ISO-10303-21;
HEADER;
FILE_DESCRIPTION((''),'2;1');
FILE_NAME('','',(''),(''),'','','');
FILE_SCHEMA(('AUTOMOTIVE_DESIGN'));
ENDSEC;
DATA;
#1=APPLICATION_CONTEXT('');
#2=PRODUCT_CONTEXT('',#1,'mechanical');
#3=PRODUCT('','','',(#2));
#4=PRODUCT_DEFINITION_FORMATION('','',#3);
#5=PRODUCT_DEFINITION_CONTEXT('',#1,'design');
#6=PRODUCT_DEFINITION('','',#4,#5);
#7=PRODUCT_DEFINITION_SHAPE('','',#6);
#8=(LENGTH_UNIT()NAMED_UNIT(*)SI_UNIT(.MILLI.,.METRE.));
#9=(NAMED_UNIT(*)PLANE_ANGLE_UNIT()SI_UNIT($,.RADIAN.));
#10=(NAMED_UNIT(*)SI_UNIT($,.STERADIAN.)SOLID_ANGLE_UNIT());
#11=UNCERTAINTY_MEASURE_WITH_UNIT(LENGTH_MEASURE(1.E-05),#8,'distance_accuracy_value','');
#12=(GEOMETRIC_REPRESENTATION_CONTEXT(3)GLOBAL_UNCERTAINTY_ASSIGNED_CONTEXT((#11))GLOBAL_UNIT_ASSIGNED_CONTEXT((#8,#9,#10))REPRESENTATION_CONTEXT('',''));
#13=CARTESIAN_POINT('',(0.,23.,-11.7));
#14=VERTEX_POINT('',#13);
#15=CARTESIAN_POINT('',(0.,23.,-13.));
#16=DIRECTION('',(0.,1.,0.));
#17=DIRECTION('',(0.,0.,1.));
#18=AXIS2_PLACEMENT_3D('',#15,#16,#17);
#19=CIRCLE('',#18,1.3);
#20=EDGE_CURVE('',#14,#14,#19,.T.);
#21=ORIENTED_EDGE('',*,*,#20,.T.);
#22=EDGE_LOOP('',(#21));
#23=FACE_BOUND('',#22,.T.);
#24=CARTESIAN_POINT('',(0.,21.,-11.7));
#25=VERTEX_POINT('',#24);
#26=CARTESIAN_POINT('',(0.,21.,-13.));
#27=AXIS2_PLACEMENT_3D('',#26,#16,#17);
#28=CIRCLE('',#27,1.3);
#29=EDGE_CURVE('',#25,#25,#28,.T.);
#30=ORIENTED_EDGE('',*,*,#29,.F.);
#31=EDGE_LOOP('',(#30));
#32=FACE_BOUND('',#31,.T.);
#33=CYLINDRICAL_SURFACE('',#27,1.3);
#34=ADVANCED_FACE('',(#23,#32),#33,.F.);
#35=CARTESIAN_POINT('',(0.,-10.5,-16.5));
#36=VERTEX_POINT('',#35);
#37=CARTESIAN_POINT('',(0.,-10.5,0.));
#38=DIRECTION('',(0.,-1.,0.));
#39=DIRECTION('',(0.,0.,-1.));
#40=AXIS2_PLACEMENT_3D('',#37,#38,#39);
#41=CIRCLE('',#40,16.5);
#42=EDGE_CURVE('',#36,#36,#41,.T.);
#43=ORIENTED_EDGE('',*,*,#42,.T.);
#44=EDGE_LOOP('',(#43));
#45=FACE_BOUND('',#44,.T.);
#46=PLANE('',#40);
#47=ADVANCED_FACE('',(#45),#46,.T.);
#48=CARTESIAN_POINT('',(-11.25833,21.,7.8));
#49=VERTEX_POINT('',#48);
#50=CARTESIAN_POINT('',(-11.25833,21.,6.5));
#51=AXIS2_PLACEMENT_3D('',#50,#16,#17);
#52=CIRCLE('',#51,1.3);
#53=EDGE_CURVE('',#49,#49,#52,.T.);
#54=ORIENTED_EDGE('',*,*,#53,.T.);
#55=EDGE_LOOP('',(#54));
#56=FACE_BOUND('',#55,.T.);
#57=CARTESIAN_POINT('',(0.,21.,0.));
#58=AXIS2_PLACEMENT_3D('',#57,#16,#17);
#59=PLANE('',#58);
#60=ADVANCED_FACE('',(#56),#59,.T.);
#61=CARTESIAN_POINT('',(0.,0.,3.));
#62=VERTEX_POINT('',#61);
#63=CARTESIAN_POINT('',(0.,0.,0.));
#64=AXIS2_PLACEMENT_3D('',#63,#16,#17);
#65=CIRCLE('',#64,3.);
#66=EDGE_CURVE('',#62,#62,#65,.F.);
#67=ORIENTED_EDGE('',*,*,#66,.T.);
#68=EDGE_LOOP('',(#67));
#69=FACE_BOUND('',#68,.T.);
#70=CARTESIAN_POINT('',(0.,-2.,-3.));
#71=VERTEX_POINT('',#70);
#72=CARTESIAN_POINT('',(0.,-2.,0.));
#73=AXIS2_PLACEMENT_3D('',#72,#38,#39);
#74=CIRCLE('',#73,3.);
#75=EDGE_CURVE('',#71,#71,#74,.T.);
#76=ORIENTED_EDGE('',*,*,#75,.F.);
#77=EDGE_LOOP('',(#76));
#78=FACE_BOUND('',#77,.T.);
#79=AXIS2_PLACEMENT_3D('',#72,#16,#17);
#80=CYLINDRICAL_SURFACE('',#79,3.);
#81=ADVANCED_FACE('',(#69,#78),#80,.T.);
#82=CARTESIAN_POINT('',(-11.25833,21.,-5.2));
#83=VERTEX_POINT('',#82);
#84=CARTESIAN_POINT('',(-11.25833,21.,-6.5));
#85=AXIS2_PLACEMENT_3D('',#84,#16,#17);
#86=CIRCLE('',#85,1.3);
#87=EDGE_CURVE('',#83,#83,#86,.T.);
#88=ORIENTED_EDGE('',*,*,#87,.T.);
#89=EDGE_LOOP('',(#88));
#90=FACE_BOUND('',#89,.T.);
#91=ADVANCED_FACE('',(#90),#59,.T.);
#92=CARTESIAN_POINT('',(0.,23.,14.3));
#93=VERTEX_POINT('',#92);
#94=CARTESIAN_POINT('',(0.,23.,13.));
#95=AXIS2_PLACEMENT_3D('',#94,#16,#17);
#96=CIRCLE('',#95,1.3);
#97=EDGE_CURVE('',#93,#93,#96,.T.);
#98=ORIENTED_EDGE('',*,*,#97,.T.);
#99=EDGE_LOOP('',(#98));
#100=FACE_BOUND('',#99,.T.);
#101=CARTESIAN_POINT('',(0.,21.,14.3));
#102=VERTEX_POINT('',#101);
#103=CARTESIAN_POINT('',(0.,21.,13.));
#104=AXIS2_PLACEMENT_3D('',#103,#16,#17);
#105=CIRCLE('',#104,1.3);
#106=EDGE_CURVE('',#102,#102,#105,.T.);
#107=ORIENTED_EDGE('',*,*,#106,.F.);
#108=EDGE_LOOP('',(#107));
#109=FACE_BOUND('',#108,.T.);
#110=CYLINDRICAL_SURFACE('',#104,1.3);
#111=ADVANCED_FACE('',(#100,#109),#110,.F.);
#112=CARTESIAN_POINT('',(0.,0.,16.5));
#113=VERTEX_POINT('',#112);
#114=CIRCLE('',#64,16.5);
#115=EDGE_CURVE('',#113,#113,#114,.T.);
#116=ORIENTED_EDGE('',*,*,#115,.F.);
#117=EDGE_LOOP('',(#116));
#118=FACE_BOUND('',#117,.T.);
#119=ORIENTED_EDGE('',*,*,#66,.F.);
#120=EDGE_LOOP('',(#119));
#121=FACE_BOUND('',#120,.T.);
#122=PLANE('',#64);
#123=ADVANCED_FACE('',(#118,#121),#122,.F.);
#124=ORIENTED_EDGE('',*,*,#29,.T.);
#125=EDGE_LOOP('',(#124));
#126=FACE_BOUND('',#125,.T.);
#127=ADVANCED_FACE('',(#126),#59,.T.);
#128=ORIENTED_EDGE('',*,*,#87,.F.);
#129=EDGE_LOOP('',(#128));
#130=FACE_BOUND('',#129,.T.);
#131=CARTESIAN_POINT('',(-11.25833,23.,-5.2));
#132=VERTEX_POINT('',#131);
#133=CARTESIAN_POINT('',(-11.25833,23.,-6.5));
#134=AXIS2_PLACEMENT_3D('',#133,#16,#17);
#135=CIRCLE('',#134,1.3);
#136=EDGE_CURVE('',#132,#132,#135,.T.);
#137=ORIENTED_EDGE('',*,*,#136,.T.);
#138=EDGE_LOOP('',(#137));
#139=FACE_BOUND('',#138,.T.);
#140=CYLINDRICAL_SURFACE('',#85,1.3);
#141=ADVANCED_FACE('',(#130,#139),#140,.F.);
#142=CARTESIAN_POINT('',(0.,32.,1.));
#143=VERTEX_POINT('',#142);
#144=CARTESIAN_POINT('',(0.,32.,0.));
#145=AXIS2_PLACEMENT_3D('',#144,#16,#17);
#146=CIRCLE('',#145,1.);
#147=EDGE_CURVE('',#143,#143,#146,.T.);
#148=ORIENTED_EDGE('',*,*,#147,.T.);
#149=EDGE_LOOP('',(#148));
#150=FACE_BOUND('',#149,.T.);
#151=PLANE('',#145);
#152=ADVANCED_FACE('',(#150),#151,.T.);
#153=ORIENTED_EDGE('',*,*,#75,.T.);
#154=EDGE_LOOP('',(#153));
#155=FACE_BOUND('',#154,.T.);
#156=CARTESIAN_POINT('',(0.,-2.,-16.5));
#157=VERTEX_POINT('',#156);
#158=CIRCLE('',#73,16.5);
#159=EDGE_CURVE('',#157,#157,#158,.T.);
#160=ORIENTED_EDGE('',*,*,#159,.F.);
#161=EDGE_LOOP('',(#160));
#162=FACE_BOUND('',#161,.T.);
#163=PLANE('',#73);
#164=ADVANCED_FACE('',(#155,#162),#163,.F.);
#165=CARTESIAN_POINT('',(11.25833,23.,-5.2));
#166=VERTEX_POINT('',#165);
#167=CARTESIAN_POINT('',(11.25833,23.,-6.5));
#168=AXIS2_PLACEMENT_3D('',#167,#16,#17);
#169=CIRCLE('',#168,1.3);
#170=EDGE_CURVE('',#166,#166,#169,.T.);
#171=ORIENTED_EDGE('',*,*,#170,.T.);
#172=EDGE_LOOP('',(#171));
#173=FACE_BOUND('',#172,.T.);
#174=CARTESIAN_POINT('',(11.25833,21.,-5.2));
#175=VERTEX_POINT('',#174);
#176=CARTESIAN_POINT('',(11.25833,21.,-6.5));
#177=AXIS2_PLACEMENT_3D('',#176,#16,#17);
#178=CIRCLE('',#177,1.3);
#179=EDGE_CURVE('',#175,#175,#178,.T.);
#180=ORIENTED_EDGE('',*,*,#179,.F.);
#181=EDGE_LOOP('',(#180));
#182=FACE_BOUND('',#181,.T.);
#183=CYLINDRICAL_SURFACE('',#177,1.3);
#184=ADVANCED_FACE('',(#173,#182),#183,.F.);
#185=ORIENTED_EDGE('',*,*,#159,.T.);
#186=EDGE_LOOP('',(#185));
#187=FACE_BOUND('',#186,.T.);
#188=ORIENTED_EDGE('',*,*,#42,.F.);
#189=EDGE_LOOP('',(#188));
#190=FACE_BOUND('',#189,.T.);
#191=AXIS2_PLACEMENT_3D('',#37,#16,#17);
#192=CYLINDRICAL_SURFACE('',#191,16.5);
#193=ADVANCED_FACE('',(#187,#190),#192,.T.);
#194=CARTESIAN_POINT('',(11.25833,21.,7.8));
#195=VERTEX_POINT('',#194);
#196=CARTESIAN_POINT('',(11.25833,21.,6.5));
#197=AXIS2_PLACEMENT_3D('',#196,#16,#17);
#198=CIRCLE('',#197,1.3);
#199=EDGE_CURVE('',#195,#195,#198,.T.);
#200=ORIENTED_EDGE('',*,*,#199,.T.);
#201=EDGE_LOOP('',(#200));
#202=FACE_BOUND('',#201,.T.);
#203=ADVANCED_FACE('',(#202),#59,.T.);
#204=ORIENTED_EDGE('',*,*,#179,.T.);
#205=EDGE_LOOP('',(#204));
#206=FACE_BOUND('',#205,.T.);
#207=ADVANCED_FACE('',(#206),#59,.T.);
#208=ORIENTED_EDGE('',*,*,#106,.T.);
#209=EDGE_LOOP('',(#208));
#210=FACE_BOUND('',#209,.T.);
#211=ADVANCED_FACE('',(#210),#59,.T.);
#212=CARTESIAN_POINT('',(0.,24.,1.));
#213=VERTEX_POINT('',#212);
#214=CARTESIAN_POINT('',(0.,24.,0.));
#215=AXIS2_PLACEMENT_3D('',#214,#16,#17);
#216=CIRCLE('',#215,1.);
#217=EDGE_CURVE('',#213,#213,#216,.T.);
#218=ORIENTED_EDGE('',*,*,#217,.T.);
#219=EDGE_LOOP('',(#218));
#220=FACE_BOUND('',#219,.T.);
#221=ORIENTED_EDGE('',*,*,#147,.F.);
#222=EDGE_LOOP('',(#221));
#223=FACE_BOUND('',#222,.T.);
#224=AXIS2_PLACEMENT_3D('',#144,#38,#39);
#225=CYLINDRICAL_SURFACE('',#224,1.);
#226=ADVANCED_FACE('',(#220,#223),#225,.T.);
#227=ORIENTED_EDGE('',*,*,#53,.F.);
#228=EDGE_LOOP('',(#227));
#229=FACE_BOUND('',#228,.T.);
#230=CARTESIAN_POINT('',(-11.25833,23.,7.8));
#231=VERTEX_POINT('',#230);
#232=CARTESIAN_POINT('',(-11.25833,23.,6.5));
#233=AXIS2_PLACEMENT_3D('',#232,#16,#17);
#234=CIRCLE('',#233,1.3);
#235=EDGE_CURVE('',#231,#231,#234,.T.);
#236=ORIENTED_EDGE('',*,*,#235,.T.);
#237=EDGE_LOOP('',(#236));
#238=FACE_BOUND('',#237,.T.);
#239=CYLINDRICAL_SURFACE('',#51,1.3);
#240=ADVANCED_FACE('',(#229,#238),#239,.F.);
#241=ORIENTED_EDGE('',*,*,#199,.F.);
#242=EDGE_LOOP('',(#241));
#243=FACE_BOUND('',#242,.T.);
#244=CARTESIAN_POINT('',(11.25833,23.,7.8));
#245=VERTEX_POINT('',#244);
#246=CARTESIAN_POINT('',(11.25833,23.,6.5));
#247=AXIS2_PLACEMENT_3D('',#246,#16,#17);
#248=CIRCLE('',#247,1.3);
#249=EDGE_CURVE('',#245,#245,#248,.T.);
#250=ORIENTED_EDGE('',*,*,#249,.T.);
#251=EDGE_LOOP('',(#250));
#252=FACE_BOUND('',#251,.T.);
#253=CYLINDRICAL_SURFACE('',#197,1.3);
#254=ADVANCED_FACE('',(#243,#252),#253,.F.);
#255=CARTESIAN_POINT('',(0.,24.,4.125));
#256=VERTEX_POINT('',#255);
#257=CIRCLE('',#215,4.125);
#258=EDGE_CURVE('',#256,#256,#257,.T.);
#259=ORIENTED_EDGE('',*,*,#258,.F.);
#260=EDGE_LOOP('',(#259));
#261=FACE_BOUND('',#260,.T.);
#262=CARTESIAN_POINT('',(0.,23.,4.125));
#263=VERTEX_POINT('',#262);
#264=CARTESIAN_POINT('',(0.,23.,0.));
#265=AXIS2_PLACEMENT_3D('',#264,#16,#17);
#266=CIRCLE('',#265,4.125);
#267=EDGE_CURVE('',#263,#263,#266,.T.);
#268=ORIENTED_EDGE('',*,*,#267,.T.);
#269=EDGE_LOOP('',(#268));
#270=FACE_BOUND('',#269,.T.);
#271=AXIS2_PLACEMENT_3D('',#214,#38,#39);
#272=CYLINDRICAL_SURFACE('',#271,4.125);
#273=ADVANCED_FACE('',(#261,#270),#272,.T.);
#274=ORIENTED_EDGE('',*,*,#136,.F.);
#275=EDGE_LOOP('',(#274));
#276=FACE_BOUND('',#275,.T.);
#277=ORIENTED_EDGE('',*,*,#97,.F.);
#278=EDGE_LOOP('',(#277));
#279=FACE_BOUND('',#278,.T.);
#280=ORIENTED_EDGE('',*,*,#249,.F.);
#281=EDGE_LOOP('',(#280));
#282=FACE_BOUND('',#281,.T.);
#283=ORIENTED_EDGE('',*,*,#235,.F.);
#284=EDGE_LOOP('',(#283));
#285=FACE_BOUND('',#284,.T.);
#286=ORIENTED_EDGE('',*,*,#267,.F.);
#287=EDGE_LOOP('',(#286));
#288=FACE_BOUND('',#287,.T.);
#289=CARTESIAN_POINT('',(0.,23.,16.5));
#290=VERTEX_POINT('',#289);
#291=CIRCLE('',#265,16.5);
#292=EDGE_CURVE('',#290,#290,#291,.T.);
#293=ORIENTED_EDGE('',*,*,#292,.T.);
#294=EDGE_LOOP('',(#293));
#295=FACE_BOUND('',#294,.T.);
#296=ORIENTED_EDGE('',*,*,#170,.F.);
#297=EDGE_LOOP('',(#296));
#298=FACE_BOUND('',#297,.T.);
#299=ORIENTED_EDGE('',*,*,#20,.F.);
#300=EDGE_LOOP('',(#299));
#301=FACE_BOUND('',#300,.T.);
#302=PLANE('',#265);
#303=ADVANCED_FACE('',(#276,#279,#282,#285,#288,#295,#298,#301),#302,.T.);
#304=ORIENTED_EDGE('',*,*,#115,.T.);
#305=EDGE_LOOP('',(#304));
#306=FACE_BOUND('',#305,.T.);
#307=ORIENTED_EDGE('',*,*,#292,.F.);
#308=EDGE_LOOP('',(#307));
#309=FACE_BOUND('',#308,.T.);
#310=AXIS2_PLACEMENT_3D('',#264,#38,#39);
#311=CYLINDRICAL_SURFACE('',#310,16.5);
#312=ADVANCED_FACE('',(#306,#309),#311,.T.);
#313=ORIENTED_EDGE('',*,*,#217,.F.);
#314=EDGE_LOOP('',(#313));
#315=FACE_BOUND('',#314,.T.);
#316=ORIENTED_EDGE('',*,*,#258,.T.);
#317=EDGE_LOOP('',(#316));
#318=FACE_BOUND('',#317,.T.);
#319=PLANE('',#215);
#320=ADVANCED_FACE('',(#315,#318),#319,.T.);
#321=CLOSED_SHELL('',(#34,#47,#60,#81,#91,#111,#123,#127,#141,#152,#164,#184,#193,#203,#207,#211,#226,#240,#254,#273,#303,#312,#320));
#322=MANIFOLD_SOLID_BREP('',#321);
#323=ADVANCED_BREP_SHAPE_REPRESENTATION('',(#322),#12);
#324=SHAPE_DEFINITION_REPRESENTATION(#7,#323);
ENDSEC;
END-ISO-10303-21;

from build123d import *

# Parameters (mm, degrees)
SKETCH_1_R          = 16.5
EXTRUDE_1_DEPTH     = 23
SKETCH_2_R          = 4.125
EXTRUDE_2_DEPTH     = 1
SKETCH_3_R          = 1
EXTRUDE_3_DEPTH     = 8
SKETCH_4_R          = 3
EXTRUDE_4_DEPTH     = 2
EXTRUDE_START       = 8.5
SKETCH_5_R          = 16.5
EXTRUDE_5_DEPTH     = 8.5
SKETCH_6_R          = 1.3
CUT_EXTRUDE_1_DEPTH = 2


with BuildPart() as part:
    # 草图1 → 凸台-拉伸1 (new body)
    with BuildSketch(Plane(origin=(0, 0, 0), x_dir=(1, 0, 0), z_dir=(0, 1, 0))):
        with Locations(Location((0, 0, 0), (0, 0, 270))):
            Circle(SKETCH_1_R)
    extrude(amount=EXTRUDE_1_DEPTH)

    # 草图2 → 凸台-拉伸2 (add)
    with BuildSketch(Plane(origin=(0, 23, 0), x_dir=(1, 0, 0), z_dir=(0, 1, 0))):
        with Locations(Location((0, 0, 0), (0, 0, 270))):
            Circle(SKETCH_2_R)
    extrude(amount=EXTRUDE_2_DEPTH)

    # 草图3 → 凸台-拉伸3 (add)
    with BuildSketch(Plane(origin=(0, 24, 0), x_dir=(1, 0, 0), z_dir=(0, 1, 0))):
        with Locations(Location((0, 0, 0), (0, 0, 270))):
            Circle(SKETCH_3_R)
    extrude(amount=EXTRUDE_3_DEPTH)

    # 草图4 → 凸台-拉伸4 (add)
    with BuildSketch(Plane.XZ):
        with Locations(Location((0, 0, 0), (0, 0, 90))):
            Circle(SKETCH_4_R)
    extrude(amount=EXTRUDE_4_DEPTH)

    # 草图5 → 凸台-拉伸5 (add)
    with BuildSketch(Plane(origin=(0, -2, 0), x_dir=(-1, 0, 0), z_dir=(0, -1, 0)).offset(EXTRUDE_START)):
        with Locations(Location((0, 0, 0), (0, 0, 270))):
            Circle(SKETCH_5_R)
    extrude(amount=-EXTRUDE_5_DEPTH)

    # 草图6 → 切除-拉伸1 (cut)
    with BuildSketch(Plane(origin=(0, 23, 0), x_dir=(1, 0, 0), z_dir=(0, 1, 0))):
        with Locations(Location((-11.258330249, -6.5, 0), (0, 0, 270))):
            Circle(SKETCH_6_R)
        with Locations(Location((0, -13, 0), (0, 0, 270))):
            Circle(SKETCH_6_R)
        with Locations(Location((11.258330249, -6.5, 0), (0, 0, 270))):
            Circle(SKETCH_6_R)
        with Locations(Location((11.258330249, 6.5, 0), (0, 0, 270))):
            Circle(SKETCH_6_R)
        with Locations(Location((0, 13, 0), (0, 0, 270))):
            Circle(SKETCH_6_R)
        with Locations(Location((-11.258330249, 6.5, 0), (0, 0, 270))):
            Circle(SKETCH_6_R)
    extrude(amount=-CUT_EXTRUDE_1_DEPTH, mode=Mode.SUBTRACT)


solid = part.part
